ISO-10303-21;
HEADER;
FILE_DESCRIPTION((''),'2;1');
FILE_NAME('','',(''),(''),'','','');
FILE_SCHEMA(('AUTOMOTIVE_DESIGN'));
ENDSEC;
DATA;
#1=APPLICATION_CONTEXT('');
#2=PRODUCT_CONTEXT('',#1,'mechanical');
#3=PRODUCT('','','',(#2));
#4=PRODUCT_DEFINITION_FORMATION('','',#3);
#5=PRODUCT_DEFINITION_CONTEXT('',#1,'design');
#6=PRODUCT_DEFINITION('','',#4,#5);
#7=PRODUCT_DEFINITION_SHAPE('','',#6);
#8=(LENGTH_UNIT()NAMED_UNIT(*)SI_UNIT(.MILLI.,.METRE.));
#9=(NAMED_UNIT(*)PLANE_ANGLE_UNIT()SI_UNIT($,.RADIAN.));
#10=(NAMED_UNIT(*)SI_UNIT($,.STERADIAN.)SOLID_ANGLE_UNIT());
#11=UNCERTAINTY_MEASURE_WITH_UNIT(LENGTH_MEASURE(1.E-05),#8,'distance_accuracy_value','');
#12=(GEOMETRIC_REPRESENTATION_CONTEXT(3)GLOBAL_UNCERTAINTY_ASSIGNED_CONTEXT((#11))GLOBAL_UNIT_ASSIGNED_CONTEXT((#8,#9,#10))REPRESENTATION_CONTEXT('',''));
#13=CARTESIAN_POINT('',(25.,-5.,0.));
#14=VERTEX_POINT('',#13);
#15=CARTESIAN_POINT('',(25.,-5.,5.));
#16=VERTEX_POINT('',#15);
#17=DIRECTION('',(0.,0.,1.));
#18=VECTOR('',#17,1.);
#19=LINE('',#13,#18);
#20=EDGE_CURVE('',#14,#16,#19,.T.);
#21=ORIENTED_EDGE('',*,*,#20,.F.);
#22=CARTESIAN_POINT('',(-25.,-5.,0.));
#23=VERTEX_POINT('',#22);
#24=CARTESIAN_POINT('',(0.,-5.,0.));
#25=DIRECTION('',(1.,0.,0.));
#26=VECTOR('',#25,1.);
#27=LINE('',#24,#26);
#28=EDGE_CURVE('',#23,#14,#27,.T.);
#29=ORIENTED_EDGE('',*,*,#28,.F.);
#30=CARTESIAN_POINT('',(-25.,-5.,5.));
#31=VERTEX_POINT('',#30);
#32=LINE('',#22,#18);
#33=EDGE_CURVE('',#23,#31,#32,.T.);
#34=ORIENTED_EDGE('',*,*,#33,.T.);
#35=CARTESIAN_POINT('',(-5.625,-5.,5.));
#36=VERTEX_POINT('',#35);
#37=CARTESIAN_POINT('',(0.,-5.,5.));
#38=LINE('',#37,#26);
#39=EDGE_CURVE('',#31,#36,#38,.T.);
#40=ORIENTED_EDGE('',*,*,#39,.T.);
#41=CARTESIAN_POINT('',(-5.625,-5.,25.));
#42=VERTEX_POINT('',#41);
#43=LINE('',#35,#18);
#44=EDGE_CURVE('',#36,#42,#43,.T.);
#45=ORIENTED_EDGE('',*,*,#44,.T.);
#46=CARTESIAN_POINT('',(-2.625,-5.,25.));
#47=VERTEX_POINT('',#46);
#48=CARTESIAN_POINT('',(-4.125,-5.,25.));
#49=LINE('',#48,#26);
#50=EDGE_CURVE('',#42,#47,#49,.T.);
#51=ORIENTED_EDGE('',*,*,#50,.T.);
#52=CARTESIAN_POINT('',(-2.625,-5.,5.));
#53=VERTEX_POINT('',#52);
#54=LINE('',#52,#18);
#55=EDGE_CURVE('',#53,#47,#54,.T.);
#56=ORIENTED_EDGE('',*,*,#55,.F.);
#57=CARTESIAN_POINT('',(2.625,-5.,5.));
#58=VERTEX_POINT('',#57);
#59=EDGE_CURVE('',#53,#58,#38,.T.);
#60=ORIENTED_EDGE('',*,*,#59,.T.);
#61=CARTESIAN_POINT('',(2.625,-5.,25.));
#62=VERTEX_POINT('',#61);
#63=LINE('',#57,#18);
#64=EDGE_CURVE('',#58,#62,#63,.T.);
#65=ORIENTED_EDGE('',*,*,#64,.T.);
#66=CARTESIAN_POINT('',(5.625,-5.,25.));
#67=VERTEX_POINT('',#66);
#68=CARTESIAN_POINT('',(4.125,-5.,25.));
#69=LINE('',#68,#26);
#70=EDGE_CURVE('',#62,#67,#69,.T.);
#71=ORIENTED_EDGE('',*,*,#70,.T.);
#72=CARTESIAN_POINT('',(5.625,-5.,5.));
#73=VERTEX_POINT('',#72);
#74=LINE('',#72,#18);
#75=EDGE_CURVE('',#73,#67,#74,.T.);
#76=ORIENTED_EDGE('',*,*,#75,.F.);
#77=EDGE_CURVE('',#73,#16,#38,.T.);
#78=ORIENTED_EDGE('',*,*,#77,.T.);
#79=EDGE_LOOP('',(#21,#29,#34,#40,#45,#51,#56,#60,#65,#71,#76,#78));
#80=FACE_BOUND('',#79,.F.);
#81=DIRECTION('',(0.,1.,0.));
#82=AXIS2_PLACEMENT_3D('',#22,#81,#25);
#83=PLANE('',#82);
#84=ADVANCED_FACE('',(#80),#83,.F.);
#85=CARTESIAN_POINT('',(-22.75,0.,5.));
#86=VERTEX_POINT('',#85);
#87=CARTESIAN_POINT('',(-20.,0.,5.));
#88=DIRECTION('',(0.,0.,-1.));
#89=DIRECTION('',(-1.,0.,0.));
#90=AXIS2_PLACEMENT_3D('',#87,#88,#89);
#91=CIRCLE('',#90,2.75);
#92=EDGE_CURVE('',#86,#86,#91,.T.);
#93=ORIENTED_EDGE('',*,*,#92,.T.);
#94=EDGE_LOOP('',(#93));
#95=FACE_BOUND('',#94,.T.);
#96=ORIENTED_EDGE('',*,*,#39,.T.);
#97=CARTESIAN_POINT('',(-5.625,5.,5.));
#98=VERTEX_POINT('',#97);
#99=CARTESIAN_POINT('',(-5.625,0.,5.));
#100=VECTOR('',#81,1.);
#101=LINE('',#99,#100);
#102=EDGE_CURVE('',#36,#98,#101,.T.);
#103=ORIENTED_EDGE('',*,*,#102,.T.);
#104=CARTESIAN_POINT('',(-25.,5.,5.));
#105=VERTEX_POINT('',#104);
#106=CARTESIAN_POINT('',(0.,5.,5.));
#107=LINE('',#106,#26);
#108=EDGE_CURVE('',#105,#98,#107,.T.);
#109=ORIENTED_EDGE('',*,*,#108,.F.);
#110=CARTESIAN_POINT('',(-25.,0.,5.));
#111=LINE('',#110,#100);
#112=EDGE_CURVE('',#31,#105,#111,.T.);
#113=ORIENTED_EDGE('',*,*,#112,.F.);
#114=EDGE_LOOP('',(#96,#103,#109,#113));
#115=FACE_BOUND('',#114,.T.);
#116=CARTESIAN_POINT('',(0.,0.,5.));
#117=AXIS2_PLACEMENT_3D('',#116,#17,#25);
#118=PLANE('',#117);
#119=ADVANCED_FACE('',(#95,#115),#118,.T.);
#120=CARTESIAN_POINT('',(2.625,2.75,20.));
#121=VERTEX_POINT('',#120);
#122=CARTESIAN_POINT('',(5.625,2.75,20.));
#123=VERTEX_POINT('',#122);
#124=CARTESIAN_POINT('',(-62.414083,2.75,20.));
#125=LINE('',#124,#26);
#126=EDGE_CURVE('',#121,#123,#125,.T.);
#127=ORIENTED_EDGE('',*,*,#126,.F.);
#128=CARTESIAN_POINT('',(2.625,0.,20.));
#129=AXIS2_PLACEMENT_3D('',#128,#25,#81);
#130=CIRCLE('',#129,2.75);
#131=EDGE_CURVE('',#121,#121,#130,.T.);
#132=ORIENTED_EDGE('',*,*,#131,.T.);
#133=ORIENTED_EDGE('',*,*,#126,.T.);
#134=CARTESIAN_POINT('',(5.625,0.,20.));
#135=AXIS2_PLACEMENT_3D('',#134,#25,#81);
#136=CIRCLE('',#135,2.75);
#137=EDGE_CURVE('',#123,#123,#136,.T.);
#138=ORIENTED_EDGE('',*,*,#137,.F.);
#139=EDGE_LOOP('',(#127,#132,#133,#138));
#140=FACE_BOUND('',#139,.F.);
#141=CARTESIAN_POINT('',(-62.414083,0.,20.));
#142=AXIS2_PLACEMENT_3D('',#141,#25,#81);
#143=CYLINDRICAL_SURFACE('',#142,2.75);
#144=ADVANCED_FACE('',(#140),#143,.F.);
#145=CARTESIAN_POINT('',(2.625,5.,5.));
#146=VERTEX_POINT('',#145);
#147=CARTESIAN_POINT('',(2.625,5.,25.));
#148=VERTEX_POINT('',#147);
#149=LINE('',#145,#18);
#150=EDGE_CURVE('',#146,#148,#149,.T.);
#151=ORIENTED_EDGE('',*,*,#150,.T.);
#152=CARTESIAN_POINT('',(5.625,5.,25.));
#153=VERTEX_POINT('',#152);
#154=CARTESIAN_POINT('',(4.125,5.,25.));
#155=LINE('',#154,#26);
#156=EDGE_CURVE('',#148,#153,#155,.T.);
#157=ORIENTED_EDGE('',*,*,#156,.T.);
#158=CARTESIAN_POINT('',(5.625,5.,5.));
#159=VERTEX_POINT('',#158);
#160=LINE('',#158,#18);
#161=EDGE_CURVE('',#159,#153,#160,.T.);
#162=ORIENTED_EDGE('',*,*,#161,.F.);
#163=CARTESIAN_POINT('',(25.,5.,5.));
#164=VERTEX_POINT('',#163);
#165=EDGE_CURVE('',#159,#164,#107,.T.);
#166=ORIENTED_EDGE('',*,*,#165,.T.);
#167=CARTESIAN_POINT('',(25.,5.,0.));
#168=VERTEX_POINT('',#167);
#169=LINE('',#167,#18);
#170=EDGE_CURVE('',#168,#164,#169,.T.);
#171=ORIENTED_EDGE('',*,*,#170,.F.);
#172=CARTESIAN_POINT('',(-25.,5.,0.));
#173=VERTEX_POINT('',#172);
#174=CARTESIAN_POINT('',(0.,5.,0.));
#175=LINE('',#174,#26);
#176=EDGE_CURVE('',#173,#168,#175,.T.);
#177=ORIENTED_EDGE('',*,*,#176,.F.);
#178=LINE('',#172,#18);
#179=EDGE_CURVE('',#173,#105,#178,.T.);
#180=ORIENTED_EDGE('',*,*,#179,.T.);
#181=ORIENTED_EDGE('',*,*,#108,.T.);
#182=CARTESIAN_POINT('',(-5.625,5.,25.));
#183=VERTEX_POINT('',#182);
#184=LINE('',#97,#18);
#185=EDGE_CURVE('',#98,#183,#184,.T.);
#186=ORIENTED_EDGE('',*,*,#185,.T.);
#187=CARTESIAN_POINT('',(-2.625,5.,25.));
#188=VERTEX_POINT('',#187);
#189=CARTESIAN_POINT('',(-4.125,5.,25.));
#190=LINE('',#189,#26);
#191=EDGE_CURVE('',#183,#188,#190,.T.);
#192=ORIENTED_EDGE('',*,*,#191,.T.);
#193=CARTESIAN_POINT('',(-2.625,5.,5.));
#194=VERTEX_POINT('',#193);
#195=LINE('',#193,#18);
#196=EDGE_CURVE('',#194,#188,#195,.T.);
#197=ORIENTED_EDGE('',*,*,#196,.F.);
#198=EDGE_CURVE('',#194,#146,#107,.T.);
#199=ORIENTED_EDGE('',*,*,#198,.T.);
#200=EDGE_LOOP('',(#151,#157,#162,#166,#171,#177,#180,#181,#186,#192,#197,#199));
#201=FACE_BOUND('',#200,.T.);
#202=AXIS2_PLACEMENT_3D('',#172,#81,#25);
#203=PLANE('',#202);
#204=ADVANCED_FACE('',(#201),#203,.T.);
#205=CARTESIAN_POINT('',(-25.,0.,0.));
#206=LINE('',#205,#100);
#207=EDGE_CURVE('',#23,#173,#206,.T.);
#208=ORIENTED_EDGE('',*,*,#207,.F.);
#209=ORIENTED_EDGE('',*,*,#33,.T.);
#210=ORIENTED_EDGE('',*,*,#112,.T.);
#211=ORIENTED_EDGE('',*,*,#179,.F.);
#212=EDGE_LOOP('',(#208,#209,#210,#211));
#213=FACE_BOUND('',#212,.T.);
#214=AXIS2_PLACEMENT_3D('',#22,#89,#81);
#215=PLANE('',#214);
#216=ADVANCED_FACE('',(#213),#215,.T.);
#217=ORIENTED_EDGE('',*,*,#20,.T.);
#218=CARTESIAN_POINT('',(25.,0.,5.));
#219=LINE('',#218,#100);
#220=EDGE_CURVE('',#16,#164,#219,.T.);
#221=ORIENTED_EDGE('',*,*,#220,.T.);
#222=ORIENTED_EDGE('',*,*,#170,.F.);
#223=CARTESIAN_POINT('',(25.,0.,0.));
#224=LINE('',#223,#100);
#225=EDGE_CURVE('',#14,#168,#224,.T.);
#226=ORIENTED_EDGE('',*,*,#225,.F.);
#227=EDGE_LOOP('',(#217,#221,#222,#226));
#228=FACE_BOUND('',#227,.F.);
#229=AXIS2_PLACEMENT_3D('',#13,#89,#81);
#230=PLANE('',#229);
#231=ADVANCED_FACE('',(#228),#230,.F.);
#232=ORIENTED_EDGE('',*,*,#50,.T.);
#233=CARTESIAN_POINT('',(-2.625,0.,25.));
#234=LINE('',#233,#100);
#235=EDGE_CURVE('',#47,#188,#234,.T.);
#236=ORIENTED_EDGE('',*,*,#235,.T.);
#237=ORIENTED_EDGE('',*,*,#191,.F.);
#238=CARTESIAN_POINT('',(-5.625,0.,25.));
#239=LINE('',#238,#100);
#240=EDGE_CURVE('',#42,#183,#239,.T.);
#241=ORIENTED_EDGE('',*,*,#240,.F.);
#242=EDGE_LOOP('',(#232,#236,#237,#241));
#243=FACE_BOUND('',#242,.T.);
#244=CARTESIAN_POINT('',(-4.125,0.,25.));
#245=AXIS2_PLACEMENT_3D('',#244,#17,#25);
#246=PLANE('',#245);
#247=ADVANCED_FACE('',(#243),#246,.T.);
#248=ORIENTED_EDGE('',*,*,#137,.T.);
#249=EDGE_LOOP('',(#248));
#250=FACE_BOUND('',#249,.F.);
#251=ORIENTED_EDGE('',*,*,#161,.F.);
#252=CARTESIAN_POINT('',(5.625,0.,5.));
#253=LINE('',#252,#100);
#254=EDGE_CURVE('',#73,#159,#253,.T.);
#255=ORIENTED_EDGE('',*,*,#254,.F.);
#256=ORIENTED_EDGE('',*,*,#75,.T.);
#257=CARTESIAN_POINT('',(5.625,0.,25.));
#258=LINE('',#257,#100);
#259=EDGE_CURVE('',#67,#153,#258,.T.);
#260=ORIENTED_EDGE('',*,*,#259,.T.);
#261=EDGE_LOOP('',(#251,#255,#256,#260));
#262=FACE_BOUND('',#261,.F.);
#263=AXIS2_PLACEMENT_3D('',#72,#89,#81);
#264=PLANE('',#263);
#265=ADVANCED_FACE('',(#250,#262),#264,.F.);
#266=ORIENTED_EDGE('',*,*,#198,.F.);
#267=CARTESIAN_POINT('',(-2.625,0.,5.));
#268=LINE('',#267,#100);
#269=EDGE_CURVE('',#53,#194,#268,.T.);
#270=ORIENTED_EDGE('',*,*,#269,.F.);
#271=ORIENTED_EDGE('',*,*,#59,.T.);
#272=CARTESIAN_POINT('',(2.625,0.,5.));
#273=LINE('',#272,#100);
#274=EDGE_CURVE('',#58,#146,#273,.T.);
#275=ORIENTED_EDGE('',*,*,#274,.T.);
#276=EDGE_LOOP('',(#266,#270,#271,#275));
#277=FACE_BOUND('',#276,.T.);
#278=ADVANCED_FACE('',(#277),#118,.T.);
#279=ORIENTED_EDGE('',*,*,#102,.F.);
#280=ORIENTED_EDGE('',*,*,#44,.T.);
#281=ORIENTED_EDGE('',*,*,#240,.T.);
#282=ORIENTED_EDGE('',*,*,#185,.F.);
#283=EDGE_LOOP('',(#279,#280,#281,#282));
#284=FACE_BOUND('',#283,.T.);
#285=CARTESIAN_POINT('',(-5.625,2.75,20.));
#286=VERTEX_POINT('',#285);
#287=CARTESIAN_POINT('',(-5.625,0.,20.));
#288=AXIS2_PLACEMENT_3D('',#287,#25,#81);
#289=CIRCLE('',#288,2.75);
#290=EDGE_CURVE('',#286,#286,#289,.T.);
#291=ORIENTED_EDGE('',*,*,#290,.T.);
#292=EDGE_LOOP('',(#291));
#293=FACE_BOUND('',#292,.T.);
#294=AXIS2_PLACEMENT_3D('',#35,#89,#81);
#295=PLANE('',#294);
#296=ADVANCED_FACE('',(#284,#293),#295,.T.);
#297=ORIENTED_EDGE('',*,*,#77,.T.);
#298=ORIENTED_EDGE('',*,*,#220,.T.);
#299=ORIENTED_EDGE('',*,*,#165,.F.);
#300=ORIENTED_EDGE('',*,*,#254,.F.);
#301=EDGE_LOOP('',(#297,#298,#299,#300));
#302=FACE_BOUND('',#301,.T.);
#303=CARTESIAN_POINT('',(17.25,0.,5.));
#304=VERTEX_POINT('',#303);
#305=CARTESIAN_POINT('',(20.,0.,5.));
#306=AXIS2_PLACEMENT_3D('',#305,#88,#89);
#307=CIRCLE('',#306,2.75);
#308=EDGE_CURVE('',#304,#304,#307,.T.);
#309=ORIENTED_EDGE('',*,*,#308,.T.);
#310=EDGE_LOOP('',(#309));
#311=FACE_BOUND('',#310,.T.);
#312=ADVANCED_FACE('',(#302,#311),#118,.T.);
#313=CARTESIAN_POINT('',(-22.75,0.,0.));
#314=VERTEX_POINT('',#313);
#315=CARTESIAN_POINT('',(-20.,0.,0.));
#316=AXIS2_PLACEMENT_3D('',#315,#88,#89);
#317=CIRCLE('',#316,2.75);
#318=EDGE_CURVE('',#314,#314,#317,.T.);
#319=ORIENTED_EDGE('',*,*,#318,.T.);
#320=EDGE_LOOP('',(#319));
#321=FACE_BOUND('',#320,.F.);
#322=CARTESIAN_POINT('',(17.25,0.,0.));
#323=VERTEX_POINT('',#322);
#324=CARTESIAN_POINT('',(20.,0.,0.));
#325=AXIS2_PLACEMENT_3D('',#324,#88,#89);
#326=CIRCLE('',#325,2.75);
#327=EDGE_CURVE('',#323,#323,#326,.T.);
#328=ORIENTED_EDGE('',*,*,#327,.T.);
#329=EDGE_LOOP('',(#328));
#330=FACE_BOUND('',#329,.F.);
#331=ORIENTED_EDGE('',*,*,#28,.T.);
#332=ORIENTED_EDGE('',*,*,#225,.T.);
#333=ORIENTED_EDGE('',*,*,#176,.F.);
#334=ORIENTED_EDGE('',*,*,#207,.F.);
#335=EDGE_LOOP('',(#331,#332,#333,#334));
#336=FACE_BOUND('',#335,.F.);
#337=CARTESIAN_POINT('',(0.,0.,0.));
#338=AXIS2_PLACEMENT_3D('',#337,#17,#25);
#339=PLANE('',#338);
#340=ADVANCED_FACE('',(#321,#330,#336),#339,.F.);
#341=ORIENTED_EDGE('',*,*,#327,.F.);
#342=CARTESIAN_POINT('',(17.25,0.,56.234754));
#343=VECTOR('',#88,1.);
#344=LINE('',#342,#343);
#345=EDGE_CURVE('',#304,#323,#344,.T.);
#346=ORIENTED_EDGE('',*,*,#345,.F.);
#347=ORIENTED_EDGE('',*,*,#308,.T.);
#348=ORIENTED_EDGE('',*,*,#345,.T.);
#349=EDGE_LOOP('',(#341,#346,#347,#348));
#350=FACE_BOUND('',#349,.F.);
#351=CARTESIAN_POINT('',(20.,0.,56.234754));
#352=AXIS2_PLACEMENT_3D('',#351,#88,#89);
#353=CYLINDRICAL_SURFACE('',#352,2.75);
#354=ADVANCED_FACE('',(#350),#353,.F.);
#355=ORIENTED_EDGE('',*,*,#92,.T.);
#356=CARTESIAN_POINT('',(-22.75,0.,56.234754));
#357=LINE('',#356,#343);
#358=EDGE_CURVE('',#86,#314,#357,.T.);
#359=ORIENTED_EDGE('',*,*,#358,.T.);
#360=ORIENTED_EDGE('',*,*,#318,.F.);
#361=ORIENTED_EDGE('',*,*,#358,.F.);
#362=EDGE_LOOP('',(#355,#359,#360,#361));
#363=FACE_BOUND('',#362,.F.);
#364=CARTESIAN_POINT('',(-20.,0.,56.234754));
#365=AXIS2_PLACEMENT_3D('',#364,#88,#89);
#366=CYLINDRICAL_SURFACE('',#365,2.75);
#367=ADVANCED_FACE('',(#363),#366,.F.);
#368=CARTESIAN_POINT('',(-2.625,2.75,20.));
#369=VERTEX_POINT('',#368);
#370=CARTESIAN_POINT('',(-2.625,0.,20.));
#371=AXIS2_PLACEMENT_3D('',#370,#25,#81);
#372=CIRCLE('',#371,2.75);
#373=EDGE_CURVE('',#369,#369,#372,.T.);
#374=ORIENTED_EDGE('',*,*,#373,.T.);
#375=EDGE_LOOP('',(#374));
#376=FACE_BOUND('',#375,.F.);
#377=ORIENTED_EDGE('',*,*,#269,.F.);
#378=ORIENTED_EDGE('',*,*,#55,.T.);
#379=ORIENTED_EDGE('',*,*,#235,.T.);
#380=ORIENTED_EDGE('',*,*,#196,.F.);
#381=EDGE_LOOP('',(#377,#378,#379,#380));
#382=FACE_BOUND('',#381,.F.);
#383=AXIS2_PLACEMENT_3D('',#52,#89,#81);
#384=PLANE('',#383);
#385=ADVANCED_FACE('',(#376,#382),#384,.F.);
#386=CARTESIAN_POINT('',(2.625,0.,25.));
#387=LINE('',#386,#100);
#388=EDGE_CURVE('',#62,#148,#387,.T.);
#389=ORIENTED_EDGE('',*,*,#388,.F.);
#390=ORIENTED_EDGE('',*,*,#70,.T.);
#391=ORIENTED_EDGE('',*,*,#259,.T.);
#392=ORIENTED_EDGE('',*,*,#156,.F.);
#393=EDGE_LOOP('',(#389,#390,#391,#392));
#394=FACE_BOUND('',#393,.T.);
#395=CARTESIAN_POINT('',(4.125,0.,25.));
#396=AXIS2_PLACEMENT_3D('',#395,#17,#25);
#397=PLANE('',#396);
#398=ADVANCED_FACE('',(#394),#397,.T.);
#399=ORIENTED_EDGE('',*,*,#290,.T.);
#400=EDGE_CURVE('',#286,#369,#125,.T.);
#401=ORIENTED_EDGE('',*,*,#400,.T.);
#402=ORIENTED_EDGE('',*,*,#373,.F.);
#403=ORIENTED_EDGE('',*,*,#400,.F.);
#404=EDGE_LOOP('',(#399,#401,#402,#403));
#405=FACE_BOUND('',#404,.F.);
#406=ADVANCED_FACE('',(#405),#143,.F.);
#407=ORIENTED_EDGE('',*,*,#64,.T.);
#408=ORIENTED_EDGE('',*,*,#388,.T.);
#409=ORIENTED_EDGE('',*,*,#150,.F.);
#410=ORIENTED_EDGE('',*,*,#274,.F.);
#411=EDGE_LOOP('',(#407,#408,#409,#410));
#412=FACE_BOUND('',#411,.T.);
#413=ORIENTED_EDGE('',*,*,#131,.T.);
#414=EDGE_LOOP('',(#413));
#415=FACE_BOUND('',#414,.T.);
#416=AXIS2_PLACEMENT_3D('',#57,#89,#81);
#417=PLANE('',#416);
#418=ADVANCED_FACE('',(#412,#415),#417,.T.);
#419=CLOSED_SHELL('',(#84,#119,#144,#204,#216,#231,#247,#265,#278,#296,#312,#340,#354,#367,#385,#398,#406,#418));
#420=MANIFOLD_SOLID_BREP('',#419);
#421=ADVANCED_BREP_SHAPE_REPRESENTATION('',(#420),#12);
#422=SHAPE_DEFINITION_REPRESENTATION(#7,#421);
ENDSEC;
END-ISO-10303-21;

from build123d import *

# Parameters (mm, degrees)
F0_W     = 50
F0_H     = 10
F1_DEPTH = 5
F3_D     = 5.5
F4_W     = 3
F4_H     = 10
F5_DEPTH = 20
F7_D     = 5.5


with BuildPart() as f1:
    # F0 (on Top) → F1 (new body)
    with BuildSketch(Plane.XY):
        Rectangle(F0_W, F0_H)
    extrude(amount=F1_DEPTH)

    # F3 (through all)
    with Locations(Plane.XY.offset(5)):
        with Locations((-20, 0), (20, 0)):
            Hole(F3_D / 2)

    # F4 (on face) → F5 (join)
    with BuildSketch(Plane.XY.offset(5)):
        with Locations((-4.125, 0)):
            Rectangle(F4_W, F4_H)
        with Locations((4.125, 0)):
            Rectangle(F4_W, F4_H)
    extrude(amount=F5_DEPTH)

    # F7 (through all)
    with Locations(Plane(origin=(-5.625, 0, 0), x_dir=(0, -1, 0), z_dir=(-1, 0, 0))):
        with Locations((0, 20)):
            Hole(F7_D / 2)


solid = f1.part
